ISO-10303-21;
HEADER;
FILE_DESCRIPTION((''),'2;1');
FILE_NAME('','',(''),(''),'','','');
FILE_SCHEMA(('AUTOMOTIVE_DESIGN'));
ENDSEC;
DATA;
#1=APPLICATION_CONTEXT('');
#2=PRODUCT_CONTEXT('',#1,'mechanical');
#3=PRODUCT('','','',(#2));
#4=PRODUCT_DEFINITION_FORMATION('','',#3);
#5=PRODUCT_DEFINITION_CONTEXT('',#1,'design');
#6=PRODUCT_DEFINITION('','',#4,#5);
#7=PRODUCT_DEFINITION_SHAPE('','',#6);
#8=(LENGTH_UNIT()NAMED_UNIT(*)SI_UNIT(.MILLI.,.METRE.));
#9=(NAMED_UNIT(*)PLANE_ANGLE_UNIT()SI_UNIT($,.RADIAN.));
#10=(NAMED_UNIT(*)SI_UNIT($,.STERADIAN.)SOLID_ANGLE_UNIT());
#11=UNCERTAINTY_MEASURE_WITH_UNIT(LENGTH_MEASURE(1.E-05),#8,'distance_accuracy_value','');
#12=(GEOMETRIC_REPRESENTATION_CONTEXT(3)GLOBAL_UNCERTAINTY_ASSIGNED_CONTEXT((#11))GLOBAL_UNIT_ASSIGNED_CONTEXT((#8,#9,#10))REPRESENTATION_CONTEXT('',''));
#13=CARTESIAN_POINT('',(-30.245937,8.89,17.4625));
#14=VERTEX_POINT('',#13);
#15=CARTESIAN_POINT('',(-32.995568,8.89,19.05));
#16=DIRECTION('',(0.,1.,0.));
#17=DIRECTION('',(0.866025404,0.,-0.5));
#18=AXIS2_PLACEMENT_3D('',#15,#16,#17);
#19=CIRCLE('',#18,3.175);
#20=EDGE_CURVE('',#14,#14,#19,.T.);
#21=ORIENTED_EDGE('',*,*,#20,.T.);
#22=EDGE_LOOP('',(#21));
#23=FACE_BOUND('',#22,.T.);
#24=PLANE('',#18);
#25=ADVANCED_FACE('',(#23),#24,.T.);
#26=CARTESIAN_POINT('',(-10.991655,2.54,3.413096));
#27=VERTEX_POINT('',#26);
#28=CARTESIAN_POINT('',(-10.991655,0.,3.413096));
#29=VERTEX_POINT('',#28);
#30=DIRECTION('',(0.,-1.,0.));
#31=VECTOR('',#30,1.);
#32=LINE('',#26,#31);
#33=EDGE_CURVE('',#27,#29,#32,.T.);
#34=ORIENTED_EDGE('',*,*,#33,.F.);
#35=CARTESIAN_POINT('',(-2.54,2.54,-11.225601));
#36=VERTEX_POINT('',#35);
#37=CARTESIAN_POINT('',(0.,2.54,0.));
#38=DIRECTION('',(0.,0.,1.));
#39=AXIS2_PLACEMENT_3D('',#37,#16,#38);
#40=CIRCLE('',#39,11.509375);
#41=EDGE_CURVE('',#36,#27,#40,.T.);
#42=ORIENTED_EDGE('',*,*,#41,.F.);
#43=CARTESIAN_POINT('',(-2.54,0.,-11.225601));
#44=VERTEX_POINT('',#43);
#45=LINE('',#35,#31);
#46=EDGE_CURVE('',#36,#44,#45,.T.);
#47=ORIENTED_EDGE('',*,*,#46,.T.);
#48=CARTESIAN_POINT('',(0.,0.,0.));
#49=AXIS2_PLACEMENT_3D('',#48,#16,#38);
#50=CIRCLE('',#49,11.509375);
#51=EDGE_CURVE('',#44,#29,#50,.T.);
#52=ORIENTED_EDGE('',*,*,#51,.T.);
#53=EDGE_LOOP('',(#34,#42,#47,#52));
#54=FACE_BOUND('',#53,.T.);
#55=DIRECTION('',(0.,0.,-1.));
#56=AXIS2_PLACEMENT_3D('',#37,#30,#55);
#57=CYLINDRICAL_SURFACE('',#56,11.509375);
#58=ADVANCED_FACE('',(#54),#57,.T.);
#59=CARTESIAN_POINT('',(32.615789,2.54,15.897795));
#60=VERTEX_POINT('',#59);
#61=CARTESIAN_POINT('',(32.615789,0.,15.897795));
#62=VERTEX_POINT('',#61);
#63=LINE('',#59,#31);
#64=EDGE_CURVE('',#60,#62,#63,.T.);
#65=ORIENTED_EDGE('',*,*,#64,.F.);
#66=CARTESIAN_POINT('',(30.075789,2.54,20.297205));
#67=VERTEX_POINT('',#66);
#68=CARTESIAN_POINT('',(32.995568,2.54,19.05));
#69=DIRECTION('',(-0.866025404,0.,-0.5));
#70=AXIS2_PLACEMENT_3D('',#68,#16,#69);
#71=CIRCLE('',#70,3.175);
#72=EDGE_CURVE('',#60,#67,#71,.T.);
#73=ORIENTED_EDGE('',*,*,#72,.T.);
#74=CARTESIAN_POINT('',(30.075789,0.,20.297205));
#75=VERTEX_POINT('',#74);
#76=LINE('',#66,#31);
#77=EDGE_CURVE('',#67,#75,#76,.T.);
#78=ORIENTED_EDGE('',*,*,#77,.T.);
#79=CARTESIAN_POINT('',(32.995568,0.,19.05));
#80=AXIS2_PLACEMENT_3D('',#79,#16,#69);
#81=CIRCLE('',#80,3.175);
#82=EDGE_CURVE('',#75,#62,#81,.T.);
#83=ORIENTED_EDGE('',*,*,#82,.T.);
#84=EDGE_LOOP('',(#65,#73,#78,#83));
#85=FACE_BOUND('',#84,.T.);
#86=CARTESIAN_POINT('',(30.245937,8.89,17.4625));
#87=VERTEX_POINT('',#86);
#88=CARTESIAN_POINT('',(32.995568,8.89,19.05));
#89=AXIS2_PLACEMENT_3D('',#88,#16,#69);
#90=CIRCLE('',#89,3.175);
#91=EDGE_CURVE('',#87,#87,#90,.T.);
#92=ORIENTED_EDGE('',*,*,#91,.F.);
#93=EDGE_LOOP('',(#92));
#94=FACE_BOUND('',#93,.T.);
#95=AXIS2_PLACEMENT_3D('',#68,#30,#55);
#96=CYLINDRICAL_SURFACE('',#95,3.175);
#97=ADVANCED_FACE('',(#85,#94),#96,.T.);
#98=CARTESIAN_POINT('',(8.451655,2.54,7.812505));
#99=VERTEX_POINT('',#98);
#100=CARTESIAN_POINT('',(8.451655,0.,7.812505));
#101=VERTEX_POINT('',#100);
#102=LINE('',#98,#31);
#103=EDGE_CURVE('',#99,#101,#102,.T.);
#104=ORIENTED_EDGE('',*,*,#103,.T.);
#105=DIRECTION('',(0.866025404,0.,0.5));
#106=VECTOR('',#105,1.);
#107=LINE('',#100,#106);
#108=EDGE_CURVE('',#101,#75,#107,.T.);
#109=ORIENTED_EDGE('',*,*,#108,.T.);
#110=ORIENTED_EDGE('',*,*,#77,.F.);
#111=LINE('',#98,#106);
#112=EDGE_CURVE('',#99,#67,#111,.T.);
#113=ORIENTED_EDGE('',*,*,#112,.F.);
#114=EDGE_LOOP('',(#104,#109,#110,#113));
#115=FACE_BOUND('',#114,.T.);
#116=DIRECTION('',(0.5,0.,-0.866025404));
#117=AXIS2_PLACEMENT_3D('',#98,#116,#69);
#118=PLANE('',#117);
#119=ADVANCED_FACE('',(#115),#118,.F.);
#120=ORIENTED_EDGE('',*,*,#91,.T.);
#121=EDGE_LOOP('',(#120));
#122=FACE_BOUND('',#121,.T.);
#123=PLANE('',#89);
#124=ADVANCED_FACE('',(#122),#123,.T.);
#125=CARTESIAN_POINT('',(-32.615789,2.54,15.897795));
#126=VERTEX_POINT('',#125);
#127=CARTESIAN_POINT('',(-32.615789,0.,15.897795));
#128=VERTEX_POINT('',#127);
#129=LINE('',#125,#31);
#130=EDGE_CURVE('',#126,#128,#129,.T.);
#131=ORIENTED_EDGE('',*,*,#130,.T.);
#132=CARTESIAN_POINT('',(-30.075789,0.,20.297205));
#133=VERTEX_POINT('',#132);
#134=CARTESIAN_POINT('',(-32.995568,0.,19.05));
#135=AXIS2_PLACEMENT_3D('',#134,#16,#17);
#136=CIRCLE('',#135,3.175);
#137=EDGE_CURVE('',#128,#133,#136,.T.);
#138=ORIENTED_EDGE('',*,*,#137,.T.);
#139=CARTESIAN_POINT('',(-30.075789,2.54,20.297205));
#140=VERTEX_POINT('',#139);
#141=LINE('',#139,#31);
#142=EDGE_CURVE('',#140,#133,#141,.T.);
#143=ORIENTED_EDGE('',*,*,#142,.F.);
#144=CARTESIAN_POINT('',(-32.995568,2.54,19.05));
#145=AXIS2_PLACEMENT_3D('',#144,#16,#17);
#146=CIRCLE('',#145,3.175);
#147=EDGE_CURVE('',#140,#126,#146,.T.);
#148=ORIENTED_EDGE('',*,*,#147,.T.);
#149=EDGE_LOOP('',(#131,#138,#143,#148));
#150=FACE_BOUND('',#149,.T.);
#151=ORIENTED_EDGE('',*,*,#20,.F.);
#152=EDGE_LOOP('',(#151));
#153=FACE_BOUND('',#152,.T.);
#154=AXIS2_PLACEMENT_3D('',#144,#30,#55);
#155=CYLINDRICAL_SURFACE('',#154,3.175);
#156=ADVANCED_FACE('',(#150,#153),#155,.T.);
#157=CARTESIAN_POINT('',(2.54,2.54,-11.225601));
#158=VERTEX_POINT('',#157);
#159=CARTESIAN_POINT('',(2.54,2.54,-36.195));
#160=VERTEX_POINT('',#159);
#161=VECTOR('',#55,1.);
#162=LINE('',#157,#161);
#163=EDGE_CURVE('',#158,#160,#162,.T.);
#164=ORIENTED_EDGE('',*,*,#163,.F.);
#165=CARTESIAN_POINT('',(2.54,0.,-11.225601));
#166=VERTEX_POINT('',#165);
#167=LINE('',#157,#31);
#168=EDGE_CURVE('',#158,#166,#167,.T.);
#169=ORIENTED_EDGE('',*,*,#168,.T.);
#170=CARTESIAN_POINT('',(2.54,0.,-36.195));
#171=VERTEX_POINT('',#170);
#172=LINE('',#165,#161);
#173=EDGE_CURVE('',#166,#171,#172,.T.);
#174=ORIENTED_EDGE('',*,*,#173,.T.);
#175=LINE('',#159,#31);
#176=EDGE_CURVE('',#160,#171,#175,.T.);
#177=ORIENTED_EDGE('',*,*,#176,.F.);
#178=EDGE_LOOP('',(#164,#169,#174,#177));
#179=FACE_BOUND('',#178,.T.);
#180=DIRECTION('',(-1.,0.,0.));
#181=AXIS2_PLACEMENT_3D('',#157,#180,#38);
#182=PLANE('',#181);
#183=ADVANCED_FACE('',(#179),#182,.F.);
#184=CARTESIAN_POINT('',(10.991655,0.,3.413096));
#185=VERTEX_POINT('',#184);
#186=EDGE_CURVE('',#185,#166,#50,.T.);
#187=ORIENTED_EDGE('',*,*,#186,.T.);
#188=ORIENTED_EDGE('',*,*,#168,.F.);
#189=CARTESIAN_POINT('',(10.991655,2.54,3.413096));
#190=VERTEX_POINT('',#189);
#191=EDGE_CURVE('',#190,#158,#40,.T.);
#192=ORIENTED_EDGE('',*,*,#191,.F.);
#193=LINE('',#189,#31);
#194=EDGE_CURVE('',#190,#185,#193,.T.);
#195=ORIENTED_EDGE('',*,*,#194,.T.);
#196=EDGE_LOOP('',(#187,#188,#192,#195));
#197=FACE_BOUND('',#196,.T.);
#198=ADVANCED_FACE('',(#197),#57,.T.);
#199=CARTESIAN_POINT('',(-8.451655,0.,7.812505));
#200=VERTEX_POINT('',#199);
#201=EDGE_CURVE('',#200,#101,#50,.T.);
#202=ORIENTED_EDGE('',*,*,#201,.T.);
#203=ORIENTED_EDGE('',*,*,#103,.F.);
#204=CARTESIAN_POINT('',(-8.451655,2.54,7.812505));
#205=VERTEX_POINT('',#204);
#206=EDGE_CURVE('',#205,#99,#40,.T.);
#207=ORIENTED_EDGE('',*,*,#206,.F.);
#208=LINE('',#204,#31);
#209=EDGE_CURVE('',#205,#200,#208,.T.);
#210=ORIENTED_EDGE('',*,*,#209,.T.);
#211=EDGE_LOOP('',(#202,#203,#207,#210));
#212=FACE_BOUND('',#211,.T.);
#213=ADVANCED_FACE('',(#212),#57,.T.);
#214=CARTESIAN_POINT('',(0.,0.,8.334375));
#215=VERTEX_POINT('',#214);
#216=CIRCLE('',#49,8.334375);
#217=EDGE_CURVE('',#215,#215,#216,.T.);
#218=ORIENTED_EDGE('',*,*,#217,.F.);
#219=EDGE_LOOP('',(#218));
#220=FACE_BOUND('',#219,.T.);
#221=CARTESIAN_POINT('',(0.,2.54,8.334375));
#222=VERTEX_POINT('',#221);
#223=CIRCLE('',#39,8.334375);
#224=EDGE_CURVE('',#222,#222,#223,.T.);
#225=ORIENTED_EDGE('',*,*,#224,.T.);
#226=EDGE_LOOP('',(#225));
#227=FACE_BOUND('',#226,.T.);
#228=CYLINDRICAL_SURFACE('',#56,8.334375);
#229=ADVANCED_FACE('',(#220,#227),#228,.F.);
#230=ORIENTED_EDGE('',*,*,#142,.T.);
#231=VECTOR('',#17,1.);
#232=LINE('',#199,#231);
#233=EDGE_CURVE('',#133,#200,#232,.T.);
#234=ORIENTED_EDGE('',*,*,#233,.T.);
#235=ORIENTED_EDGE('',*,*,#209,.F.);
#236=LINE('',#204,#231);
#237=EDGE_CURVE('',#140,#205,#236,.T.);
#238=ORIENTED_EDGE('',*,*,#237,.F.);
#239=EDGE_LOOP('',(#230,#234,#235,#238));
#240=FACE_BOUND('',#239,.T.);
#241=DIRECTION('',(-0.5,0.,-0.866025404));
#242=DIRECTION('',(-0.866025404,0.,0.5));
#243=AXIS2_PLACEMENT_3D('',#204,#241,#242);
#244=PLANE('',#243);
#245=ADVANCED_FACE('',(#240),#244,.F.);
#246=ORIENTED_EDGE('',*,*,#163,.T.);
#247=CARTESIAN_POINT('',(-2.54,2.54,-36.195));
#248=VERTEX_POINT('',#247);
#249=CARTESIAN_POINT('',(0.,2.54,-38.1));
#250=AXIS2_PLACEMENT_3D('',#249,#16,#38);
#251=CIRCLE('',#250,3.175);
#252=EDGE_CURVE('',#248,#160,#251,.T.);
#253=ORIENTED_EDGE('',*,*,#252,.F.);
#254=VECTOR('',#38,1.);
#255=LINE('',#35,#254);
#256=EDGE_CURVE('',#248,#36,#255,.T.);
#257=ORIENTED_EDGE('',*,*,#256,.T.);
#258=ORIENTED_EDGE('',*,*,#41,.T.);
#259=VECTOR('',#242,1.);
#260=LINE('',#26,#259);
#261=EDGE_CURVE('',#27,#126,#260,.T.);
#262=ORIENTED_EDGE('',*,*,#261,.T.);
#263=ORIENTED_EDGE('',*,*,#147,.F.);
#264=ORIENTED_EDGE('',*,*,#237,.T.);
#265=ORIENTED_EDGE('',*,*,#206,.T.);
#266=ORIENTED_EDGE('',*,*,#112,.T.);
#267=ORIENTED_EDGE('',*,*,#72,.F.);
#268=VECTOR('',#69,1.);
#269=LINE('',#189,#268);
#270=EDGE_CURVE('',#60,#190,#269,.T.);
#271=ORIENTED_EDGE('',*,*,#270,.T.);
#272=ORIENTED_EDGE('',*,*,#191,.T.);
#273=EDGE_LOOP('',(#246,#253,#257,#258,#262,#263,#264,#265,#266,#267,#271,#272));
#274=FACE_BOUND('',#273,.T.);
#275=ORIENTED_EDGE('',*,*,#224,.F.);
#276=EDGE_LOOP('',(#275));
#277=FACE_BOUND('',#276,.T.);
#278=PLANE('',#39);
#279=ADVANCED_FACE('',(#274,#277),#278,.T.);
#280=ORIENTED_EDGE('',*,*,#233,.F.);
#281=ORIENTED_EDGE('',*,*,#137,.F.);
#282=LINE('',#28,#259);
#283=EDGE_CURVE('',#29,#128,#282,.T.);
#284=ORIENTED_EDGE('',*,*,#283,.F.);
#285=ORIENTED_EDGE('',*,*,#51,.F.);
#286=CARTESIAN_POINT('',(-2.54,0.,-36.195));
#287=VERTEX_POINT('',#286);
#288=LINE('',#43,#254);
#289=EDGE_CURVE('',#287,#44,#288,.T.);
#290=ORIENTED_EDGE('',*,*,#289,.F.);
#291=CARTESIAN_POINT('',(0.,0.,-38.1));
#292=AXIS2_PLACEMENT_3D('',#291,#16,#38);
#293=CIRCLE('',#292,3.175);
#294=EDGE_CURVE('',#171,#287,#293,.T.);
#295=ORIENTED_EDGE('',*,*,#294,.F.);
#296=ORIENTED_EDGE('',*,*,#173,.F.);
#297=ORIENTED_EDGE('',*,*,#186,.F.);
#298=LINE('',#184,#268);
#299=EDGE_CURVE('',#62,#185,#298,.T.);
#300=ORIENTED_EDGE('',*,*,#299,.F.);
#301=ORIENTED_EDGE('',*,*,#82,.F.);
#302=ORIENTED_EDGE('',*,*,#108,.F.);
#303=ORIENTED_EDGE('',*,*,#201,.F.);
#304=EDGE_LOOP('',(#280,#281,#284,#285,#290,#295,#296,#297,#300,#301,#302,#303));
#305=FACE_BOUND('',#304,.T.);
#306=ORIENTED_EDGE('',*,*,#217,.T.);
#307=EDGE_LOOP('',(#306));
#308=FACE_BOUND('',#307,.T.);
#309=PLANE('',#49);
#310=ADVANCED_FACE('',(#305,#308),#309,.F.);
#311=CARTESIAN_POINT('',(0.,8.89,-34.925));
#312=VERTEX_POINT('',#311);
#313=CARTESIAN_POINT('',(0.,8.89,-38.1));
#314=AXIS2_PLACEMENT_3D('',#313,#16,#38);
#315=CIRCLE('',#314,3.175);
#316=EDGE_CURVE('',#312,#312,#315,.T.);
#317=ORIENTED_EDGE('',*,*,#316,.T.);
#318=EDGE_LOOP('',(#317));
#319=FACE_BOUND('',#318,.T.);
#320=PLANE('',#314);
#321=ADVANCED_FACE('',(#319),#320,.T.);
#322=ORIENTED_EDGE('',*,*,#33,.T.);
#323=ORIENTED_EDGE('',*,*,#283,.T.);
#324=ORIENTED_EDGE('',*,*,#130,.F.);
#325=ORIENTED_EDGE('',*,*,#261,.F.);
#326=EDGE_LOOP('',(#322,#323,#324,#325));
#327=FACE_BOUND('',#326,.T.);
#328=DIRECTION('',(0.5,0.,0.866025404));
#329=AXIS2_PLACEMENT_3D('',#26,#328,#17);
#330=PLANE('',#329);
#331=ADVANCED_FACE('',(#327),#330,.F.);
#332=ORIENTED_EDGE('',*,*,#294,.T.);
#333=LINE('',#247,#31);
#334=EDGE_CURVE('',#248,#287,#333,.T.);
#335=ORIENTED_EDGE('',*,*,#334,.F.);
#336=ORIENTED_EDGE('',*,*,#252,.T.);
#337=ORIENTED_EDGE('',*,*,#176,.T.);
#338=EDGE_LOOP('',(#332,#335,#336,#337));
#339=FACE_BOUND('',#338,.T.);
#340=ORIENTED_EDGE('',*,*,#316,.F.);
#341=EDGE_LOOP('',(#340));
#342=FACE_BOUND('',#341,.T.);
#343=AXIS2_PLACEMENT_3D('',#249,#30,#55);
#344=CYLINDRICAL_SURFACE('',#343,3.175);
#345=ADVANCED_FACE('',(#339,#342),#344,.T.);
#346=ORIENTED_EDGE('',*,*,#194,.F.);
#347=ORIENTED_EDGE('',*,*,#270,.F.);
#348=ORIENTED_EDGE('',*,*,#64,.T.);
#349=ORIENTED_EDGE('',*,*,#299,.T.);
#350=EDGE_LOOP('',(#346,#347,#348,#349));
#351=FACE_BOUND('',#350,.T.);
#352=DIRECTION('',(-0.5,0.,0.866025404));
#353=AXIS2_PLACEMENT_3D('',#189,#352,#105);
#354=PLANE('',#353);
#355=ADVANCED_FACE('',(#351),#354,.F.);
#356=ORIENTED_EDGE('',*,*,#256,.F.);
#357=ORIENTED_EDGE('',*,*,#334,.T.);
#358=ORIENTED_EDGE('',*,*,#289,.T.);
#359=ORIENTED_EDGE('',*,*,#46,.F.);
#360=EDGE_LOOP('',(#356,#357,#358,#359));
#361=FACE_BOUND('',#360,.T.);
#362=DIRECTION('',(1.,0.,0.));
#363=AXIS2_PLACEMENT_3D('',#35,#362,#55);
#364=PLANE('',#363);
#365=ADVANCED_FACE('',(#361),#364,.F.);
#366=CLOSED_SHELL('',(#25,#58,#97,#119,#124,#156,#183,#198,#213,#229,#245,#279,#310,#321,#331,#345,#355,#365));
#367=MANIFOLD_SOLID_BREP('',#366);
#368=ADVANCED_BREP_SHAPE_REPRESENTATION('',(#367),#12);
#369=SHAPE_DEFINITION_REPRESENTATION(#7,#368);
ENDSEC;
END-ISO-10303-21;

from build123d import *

# Parameters (mm, degrees)
SKETCH1_R           = 8.334375
BOSS_EXTRUDE1_DEPTH = 2.54
SKETCH3_R           = 3.175
BOSS_EXTRUDE2_DEPTH = 6.35
CIRPATTERN1_COUNT   = 3


with BuildPart() as part:
    # Sketch1 → Boss-Extrude1 (new body)
    with BuildSketch(Plane(origin=(0, 0, 0), x_dir=(1, 0, 0), z_dir=(0, 1, 0))):
        with BuildLine():
            Line((2.54, 11.225600781), (2.54, 36.195))
            ThreePointArc((2.54, 36.195), (0, 41.275), (-2.54, 36.195))
            Line((-2.54, 36.195), (-2.54, 11.225600781))
            ThreePointArc((-2.54, 11.225600781), (0, -11.509375), (2.54, 11.225600781))
        make_face()
        with Locations(Location((0, 0, 0), (0, 0, 270))):
            Circle(SKETCH1_R, mode=Mode.SUBTRACT)
    boss_extrude1 = extrude(amount=BOSS_EXTRUDE1_DEPTH)

    # Sketch3 → Boss-Extrude2 (add)
    with BuildSketch(Plane(origin=(0, 2.54, 0), x_dir=(1, 0, 0), z_dir=(0, 1, 0))):
        with Locations(Location((0, 38.1, 0), (0, 0, 216.869897646))):
            Circle(SKETCH3_R)
    boss_extrude2 = extrude(amount=BOSS_EXTRUDE2_DEPTH)

    # CirPattern1: Boss-Extrude1, Boss-Extrude2 ×3 about axis
    cirpattern1_axis = Axis((0, 0, 0), (0, 1, 0))
    add([boss_extrude1.rotate(cirpattern1_axis, i * 360 / CIRPATTERN1_COUNT) for i in range(1, CIRPATTERN1_COUNT)])
    add([boss_extrude2.rotate(cirpattern1_axis, i * 360 / CIRPATTERN1_COUNT) for i in range(1, CIRPATTERN1_COUNT)])


solid = part.part
